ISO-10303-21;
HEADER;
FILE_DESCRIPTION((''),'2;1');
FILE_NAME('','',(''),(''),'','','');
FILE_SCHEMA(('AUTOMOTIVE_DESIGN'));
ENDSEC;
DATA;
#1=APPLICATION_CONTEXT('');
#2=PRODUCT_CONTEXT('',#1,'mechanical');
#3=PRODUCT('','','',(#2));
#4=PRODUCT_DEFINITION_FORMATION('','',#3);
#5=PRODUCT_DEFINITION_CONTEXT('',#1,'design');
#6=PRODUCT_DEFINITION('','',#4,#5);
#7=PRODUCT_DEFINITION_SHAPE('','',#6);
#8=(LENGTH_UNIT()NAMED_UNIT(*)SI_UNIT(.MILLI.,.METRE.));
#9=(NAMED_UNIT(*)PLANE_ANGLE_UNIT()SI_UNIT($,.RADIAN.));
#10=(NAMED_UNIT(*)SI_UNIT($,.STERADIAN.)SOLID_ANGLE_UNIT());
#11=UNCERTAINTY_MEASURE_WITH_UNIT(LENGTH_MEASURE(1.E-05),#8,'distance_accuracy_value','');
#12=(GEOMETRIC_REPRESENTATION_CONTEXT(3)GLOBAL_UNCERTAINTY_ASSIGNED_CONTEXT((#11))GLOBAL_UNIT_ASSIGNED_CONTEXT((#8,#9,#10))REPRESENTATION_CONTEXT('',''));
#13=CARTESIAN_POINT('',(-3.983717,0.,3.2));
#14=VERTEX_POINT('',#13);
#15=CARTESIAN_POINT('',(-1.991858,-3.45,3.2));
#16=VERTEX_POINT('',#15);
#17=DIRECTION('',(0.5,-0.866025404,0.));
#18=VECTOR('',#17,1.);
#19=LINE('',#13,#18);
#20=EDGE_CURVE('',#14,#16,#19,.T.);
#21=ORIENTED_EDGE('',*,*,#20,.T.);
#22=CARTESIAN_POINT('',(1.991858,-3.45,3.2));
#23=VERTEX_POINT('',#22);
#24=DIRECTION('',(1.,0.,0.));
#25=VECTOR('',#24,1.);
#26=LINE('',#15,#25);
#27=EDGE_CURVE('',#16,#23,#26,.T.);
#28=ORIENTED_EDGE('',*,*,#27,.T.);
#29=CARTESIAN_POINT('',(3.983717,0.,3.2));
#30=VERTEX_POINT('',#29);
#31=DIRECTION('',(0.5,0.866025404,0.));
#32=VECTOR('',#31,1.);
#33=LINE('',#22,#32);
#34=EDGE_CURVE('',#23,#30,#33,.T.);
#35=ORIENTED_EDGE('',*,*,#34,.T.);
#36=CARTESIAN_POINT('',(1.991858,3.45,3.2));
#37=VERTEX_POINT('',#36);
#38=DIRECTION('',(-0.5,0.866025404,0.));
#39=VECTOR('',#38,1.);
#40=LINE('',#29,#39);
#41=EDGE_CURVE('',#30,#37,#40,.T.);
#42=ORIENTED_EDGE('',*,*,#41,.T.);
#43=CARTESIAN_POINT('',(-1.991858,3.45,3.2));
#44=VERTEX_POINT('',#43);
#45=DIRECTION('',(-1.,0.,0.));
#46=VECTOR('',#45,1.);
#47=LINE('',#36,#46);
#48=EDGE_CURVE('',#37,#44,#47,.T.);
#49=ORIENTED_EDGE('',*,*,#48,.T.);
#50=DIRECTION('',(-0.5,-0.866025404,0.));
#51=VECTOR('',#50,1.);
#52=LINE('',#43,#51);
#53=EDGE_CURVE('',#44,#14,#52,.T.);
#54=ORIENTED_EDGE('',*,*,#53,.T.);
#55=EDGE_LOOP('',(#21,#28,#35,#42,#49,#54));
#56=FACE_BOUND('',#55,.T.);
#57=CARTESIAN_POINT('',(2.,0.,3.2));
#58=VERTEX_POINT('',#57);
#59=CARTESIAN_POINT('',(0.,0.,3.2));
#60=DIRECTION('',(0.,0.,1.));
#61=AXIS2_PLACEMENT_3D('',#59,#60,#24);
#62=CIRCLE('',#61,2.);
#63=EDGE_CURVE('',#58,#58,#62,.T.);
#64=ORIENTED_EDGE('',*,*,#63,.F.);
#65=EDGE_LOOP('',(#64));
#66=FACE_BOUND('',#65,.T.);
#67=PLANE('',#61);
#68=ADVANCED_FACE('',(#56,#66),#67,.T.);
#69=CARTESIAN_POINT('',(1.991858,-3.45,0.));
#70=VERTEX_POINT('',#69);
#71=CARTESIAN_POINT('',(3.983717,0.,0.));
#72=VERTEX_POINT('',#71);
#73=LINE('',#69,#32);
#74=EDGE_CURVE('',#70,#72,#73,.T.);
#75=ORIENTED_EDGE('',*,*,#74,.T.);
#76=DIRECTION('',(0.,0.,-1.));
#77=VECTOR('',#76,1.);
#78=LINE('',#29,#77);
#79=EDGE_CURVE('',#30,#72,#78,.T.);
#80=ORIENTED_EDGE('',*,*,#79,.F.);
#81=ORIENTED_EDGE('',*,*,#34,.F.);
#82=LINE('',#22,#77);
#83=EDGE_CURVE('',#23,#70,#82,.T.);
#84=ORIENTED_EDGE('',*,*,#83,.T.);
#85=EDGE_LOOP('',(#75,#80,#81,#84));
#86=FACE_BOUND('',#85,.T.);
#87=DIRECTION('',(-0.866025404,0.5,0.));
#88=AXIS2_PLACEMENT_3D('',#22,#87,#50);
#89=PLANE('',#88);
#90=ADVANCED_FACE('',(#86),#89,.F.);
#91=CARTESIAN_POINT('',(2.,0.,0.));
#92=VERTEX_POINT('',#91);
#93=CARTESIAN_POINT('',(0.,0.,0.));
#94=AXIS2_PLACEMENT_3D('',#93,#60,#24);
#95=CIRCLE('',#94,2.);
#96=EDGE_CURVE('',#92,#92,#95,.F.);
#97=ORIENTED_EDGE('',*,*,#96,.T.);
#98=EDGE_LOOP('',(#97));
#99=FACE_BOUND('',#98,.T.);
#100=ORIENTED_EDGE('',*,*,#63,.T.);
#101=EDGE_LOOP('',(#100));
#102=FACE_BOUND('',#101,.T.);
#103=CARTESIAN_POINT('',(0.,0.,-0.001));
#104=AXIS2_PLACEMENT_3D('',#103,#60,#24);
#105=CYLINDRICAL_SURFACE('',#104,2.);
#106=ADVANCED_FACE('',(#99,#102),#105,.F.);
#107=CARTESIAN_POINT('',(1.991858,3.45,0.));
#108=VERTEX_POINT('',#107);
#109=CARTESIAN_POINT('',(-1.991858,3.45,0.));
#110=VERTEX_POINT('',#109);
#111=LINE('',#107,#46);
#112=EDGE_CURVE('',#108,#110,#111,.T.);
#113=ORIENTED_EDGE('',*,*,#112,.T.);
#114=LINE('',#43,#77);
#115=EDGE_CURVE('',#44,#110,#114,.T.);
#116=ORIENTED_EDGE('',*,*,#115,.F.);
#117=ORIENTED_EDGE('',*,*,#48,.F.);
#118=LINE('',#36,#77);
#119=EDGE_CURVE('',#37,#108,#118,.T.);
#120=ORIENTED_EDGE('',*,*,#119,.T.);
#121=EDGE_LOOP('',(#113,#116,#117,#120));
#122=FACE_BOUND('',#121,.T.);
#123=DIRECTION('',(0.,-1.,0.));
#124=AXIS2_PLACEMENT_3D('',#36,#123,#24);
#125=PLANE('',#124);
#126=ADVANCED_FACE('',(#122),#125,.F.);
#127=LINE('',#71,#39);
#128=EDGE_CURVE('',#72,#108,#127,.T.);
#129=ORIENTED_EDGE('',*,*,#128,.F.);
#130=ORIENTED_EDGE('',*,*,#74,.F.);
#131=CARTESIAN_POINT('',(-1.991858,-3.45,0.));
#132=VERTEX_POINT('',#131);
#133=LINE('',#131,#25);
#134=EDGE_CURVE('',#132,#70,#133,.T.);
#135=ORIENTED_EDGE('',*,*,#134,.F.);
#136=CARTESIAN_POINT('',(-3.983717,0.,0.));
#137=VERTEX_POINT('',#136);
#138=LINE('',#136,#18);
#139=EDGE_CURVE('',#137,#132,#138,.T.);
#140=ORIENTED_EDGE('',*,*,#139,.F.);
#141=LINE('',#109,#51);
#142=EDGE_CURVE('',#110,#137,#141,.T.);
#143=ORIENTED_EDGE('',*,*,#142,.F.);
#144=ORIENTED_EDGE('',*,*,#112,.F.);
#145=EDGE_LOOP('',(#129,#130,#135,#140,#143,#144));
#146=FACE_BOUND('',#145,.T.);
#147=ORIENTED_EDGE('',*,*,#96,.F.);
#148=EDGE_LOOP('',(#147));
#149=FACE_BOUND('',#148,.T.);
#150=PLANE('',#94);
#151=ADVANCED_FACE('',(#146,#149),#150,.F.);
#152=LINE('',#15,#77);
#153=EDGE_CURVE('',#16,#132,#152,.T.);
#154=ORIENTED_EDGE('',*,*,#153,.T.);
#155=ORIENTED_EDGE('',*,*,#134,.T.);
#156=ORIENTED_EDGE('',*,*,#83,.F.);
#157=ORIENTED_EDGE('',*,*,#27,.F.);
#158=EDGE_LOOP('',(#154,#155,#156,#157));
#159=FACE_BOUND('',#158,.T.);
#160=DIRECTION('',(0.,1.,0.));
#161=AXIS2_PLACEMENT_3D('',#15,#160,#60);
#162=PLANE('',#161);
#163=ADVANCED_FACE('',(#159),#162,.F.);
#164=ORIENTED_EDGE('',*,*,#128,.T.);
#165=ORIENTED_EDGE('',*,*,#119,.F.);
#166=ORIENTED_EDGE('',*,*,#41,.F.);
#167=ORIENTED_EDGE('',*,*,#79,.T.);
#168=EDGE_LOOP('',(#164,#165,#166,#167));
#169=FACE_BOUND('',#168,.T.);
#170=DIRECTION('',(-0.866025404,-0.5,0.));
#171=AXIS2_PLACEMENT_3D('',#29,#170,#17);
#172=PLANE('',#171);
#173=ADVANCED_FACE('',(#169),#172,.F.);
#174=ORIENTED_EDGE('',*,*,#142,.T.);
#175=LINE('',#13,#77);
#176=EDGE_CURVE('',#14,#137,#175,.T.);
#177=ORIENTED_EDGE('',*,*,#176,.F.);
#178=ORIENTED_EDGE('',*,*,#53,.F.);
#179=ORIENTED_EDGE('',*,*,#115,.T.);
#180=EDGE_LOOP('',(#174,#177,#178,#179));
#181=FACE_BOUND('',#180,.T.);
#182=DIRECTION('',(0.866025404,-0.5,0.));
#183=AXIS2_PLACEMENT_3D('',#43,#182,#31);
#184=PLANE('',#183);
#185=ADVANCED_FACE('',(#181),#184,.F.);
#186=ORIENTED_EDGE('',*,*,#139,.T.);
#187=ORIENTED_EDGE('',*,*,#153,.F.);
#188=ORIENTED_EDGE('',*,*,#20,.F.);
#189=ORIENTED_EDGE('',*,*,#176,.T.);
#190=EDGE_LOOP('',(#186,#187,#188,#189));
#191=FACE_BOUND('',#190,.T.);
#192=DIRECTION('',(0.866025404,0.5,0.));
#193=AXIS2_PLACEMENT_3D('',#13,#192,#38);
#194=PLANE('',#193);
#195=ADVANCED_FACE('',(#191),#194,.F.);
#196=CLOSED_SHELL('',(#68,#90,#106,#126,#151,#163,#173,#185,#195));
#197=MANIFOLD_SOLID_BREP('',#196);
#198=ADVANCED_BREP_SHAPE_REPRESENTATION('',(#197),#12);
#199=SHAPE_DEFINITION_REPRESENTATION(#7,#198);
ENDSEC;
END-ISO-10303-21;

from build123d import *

# Parameters (mm, degrees)
EXTRUDE_1_DEPTH     = 3.2
CUT_EXTRUDE_1_REACH = 8.165
SKETCH_2_R          = 2


with BuildPart() as part:
    # 草图1 → 凸台-拉伸1 (new body)
    with BuildSketch(Plane.XY):
        Polygon((1.991858429, -3.45), (3.983716857, 0), (1.991858429, 3.45), (-1.991858429, 3.45), (-3.983716857, 0), (-1.991858429, -3.45), align=None)
    extrude(amount=EXTRUDE_1_DEPTH)

    # 草图2 → 切除-拉伸1 (cut, up to next)
    with BuildSketch(Plane.XY.offset(3.2), mode=Mode.PRIVATE) as cut_extrude_1_sk1:
        Circle(SKETCH_2_R)
    cut_extrude_1_tool1 = extrude(cut_extrude_1_sk1.sketch, amount=-CUT_EXTRUDE_1_REACH, mode=Mode.PRIVATE) & part.part
    add(cut_extrude_1_tool1.solids().sort_by_distance((0, 0, 3.2))[0], mode=Mode.SUBTRACT)


solid = part.part
